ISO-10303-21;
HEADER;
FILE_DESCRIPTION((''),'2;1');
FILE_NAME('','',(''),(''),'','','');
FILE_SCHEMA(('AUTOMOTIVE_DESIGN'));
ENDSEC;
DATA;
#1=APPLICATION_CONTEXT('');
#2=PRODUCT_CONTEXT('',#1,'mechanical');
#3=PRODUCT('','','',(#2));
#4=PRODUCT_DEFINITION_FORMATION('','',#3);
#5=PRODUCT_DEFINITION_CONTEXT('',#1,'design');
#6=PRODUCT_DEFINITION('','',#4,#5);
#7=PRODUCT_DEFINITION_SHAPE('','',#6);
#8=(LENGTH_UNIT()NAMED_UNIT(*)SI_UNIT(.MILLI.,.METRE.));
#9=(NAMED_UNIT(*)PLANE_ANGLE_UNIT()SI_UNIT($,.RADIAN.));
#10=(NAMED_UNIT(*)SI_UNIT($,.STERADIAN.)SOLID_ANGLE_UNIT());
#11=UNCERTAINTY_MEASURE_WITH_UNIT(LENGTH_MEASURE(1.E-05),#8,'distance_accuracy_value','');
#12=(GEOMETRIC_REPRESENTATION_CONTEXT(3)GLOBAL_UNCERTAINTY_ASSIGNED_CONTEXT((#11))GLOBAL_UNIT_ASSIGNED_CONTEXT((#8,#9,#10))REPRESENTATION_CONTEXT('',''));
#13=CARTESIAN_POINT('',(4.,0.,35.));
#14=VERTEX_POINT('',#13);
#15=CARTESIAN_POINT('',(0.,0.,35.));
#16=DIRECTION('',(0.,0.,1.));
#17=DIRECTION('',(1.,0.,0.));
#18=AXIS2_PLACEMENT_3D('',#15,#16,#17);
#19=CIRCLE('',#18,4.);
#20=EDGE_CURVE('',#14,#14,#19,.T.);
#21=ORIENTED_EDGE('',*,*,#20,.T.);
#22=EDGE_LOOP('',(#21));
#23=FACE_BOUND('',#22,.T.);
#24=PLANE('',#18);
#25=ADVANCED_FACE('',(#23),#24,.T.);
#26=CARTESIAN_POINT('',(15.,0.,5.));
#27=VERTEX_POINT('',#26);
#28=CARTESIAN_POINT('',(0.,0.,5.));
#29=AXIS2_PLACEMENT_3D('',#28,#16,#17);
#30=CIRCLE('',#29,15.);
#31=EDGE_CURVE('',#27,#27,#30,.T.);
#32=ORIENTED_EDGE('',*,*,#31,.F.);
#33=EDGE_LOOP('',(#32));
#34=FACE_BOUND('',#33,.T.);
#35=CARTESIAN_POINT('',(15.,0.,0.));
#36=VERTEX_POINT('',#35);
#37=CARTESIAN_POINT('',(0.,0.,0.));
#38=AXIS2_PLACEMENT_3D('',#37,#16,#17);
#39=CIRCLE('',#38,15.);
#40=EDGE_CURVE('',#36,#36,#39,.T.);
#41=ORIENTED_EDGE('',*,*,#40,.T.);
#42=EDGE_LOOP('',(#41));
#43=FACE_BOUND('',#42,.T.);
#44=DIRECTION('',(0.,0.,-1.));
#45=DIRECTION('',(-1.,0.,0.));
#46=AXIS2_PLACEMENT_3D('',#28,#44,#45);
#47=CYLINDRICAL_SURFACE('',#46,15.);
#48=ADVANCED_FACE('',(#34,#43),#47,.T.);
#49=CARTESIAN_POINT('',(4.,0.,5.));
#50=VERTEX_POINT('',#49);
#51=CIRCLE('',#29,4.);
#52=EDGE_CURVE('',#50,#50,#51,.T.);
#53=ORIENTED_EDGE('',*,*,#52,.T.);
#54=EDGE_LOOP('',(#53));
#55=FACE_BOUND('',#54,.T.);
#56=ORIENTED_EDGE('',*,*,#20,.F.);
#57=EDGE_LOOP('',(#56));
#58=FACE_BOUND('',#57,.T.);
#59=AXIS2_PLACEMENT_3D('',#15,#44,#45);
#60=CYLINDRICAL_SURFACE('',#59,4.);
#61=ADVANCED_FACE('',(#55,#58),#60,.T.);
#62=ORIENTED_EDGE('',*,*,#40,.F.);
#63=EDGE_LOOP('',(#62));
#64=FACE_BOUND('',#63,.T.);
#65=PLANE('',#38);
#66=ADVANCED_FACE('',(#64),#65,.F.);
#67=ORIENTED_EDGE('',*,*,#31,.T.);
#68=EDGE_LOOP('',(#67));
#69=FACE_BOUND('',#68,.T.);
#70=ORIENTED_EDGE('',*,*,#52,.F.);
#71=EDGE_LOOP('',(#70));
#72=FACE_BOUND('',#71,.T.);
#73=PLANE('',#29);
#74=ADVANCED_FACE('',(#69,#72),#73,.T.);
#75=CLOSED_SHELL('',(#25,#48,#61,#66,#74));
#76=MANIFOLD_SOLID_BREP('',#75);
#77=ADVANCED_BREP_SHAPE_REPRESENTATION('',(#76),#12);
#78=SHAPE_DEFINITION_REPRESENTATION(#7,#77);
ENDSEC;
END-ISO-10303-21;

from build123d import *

# Parameters (mm, degrees)
SKETCH_1_R      = 15
EXTRUDE_1_DEPTH = 5
SKETCH_2_R      = 4
EXTRUDE_2_DEPTH = 30


with BuildPart() as part:
    # Эскиз1 → Бобышка-Вытянуть1 (new body)
    with BuildSketch(Plane.XY):
        Circle(SKETCH_1_R)
    extrude(amount=EXTRUDE_1_DEPTH)

    # Эскиз2 → Бобышка-Вытянуть2 (add)
    with BuildSketch(Plane.XY.offset(5)):
        Circle(SKETCH_2_R)
    extrude(amount=EXTRUDE_2_DEPTH)


solid = part.part
